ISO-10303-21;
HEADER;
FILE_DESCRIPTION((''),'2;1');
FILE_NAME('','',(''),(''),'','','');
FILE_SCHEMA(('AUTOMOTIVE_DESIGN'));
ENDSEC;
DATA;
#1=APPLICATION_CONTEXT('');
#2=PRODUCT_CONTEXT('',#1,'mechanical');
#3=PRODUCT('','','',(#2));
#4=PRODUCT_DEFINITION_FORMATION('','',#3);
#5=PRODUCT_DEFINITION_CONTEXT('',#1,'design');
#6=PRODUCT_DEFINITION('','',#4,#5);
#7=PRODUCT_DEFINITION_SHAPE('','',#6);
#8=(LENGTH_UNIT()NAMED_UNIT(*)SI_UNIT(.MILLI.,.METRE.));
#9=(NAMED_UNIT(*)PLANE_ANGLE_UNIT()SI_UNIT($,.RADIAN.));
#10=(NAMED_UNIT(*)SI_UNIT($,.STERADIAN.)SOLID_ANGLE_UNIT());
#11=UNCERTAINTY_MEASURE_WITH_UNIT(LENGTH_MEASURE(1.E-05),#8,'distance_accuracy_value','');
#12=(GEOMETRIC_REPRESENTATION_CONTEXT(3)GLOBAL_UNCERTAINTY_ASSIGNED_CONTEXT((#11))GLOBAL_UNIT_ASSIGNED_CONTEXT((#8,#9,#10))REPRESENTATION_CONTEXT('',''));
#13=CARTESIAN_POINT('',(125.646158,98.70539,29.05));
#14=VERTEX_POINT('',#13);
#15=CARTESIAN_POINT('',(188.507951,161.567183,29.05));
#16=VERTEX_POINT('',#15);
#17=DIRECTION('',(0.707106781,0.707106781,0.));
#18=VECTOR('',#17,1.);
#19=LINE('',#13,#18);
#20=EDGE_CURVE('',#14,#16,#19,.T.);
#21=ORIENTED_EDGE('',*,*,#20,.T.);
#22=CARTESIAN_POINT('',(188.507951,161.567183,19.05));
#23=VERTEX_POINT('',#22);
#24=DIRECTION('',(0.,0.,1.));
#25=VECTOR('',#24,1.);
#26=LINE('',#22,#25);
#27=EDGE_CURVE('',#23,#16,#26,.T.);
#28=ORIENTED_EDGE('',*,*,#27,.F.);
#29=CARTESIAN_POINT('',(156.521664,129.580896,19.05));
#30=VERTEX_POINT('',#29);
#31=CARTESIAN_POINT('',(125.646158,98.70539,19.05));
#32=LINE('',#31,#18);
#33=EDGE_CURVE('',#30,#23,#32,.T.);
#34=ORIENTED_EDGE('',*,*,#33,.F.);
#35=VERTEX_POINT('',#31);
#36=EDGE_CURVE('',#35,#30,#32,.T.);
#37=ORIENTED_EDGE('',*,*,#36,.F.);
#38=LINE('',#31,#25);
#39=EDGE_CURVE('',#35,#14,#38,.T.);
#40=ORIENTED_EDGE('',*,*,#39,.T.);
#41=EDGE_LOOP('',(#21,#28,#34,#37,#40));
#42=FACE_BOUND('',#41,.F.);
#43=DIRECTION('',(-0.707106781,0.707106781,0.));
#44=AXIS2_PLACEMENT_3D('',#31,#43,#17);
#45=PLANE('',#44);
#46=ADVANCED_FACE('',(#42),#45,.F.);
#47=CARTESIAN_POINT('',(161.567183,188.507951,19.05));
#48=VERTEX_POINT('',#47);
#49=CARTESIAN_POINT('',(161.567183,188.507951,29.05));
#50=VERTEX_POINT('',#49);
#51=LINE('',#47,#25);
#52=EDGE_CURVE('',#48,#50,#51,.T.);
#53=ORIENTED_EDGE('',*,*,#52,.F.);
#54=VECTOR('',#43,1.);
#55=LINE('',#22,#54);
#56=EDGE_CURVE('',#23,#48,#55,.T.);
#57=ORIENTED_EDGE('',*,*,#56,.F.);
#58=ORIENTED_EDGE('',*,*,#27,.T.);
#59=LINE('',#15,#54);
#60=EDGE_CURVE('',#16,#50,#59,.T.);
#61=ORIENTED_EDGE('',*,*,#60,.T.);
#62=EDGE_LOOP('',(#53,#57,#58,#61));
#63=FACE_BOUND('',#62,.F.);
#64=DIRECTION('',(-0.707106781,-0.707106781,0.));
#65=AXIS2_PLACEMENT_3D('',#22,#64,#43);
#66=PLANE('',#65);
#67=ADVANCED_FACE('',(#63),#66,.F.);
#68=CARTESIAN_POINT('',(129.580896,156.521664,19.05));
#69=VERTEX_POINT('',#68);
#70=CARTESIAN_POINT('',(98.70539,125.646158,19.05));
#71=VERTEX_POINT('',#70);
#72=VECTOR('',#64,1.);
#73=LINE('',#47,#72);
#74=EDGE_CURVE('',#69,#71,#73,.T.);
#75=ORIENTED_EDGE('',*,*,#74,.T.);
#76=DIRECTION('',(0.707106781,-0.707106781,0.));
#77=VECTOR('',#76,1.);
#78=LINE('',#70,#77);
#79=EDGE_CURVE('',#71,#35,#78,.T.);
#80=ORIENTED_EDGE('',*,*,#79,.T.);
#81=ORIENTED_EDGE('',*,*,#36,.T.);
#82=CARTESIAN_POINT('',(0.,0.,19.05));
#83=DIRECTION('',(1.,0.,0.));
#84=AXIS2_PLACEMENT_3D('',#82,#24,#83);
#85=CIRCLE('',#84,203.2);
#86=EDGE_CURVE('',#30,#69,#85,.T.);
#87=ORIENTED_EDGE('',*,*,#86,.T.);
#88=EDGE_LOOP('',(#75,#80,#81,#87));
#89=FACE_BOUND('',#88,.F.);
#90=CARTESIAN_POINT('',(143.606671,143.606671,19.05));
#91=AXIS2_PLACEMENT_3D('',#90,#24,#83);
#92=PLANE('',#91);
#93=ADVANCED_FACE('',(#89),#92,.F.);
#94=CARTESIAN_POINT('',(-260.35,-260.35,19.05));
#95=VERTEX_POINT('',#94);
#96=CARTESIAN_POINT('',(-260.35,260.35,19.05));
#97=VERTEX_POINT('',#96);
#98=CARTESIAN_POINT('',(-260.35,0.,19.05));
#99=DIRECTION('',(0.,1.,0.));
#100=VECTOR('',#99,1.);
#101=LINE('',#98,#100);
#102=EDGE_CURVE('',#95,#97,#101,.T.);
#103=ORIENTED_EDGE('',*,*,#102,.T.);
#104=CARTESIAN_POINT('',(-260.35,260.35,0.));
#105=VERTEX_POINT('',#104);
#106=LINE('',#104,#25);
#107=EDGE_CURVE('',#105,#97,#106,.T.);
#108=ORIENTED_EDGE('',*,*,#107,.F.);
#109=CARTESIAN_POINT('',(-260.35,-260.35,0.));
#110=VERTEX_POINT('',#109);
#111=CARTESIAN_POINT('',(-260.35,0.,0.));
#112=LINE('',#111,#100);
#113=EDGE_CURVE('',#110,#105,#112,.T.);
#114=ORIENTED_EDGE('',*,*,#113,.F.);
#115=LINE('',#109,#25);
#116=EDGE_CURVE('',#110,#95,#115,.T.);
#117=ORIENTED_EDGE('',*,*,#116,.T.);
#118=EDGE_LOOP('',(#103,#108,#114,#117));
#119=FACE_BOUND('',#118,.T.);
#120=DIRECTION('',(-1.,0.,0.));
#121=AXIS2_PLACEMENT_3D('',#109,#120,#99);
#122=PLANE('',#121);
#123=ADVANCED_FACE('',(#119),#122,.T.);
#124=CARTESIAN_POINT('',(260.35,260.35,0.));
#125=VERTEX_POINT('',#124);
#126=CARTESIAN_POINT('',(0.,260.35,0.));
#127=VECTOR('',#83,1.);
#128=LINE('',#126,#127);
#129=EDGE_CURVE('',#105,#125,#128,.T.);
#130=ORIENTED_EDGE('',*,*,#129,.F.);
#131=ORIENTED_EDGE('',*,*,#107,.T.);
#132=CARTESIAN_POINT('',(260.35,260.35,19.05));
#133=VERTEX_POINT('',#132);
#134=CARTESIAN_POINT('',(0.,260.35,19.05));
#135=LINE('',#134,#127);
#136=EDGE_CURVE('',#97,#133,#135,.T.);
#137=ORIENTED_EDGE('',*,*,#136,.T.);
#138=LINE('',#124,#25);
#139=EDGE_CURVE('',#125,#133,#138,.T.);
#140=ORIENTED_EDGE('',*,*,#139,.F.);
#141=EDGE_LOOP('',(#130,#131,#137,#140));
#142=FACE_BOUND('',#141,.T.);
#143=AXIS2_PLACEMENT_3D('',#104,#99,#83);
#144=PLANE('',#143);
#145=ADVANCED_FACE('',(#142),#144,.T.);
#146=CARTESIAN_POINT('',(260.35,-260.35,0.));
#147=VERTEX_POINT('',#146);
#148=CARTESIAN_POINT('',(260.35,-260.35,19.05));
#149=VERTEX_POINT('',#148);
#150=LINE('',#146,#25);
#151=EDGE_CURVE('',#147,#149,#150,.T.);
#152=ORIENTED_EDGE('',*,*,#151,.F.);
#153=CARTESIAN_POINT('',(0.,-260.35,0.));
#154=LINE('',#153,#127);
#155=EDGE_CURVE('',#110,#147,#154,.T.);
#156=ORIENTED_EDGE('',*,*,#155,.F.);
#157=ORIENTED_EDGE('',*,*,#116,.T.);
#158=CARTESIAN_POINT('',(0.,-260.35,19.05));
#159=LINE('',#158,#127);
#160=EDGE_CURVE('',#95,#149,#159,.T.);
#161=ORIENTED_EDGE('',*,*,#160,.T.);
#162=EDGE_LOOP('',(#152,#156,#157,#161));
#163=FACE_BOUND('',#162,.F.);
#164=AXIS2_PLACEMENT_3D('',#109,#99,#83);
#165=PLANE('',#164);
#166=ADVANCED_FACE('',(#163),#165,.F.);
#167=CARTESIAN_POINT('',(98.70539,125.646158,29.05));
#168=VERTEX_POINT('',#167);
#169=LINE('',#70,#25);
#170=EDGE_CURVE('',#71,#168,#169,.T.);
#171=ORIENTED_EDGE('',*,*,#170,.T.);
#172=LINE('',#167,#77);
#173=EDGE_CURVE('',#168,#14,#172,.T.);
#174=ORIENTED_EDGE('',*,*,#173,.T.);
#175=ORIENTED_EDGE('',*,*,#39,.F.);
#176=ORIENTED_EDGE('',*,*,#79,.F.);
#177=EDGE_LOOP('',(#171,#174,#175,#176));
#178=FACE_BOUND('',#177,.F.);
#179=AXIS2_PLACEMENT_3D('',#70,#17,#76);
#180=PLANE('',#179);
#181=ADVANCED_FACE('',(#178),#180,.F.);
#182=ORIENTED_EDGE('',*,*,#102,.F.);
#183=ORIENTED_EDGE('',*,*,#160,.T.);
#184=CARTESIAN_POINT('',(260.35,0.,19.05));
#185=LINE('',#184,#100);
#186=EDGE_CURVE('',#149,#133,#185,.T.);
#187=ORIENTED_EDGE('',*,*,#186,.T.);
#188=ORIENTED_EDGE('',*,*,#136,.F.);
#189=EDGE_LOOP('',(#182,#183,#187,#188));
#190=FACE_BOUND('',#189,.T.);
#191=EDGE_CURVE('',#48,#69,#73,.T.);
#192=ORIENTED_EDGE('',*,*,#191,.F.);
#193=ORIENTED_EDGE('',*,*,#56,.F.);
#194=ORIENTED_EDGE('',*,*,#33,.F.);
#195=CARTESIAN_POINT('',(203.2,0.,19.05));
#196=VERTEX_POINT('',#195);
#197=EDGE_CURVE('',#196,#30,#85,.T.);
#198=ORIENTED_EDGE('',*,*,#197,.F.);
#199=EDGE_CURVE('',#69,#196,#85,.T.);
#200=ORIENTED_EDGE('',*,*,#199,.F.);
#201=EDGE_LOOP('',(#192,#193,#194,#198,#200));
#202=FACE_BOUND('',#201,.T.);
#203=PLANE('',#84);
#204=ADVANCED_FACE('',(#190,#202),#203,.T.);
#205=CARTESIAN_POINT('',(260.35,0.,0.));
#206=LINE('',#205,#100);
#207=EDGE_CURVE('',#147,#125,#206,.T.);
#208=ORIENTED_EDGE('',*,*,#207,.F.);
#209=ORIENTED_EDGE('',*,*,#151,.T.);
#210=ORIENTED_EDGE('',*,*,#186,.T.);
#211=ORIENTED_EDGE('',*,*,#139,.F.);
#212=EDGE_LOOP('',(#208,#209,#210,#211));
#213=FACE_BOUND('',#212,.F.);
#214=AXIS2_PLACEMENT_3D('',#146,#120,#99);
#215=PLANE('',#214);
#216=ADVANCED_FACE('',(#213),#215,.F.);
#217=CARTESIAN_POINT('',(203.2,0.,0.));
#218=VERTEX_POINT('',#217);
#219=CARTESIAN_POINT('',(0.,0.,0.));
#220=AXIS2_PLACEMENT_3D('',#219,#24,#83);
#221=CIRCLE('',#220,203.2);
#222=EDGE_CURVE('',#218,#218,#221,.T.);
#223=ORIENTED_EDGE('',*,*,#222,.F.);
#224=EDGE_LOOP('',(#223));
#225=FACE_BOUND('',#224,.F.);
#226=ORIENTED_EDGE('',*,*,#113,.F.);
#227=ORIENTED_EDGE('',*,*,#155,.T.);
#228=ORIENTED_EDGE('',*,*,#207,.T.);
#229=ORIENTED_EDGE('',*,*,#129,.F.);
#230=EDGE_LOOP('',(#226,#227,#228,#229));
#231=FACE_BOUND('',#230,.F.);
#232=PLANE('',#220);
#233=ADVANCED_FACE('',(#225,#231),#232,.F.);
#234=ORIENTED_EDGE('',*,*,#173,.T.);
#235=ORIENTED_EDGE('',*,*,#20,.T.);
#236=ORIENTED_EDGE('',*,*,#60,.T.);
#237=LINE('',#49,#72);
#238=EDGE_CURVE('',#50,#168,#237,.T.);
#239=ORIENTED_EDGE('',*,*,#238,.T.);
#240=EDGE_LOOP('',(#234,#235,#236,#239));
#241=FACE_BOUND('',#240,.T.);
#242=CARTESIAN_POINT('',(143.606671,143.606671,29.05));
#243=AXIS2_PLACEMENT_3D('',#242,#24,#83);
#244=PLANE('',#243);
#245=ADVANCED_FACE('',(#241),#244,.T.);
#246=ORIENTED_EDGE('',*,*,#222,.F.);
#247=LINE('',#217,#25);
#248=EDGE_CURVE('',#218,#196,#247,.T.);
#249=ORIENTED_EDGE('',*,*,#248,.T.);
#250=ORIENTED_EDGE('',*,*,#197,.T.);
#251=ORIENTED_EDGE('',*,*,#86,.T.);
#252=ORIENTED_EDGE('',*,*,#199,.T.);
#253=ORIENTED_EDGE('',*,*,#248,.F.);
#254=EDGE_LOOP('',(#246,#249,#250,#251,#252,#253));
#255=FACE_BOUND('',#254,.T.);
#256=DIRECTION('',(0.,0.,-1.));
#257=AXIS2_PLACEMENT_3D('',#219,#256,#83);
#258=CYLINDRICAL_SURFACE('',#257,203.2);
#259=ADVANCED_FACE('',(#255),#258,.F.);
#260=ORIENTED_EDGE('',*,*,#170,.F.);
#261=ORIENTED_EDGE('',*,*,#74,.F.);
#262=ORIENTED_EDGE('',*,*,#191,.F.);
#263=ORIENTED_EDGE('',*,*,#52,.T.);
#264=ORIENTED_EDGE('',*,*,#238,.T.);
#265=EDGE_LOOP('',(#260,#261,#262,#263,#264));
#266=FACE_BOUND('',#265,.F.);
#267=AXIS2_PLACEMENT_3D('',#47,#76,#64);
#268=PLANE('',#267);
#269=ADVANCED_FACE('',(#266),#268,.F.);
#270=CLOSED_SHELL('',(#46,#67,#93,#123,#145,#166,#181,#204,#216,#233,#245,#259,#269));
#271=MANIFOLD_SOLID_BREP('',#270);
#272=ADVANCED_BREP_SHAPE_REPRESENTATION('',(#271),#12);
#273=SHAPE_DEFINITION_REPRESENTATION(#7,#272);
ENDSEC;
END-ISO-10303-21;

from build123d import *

# Parameters (mm, degrees)
F0_W     = 520.7
F0_H     = 520.7
F0_R     = 203.2
F1_DEPTH = 19.05
F3_DEPTH = 10


with BuildPart() as f1:
    # F0 (on Top) → F1 (new body)
    with BuildSketch(Plane.XY):
        Rectangle(F0_W, F0_H)
        Circle(F0_R, mode=Mode.SUBTRACT)
    extrude(amount=F1_DEPTH)

    # F2 (on face) → F3 (join)
    with BuildSketch(Plane.XY.offset(19.05)):
        Polygon((98.70539, 125.646158), (125.646158, 98.70539), (188.507951, 161.567183), (161.567183, 188.507951), align=None)
    extrude(amount=F3_DEPTH)


solid = f1.part
